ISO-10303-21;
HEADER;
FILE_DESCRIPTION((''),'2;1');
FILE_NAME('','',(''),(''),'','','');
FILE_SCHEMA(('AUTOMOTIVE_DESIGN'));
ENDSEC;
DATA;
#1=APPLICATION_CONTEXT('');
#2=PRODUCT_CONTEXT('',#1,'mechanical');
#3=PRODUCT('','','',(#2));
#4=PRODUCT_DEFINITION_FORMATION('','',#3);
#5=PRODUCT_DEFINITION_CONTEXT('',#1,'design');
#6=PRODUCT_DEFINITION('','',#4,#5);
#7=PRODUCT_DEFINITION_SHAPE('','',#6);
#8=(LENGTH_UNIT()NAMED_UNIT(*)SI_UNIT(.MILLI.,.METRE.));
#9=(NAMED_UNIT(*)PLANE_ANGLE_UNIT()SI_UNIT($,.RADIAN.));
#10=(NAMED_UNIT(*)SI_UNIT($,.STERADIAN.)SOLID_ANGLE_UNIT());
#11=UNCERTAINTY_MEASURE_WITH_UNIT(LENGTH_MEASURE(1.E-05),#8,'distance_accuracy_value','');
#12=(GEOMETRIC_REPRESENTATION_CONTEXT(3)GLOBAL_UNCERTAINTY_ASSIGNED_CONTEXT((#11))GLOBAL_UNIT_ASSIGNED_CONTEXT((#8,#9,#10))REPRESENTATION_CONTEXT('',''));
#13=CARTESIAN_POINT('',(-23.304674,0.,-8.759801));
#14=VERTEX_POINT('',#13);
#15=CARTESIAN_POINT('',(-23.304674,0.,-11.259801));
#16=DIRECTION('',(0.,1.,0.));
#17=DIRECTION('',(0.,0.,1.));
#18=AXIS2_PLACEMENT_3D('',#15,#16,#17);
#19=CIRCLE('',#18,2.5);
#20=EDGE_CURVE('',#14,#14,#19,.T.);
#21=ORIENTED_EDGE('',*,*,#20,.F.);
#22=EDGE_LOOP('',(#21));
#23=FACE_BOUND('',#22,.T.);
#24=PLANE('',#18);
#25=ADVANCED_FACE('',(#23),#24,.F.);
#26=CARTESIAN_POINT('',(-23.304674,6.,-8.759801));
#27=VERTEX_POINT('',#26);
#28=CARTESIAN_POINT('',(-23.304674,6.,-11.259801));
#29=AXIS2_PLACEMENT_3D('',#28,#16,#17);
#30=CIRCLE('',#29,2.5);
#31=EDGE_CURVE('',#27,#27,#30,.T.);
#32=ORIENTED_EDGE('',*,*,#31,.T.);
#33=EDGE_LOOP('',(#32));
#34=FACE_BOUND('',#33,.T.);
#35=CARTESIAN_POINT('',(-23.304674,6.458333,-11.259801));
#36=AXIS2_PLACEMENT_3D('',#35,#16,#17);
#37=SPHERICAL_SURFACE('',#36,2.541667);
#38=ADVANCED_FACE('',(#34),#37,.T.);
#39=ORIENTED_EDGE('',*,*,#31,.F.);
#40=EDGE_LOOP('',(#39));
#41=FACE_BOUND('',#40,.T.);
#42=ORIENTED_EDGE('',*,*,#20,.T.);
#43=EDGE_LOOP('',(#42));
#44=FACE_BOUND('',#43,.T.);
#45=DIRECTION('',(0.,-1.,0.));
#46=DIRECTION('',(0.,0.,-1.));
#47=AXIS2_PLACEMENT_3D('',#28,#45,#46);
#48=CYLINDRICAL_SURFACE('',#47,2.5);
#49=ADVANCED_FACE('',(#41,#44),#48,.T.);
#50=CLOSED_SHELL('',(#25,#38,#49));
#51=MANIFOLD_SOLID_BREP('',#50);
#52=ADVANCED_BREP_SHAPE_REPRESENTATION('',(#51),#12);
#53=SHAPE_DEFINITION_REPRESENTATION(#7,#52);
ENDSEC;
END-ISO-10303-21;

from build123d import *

# Parameters (mm, degrees)
SKETCH1_R           = 2.5
BOSS_EXTRUDE1_DEPTH = 6
DOME2_FACE_RADIUS   = 2.5
DOME2_HEIGHT        = 3


with BuildPart() as part:
    # Sketch1 → Boss-Extrude1 (new body)
    with BuildSketch(Plane(origin=(0, 0, 0), x_dir=(1, 0, 0), z_dir=(0, 1, 0))):
        with Locations((-23.304673918, 11.259801097)):
            Circle(SKETCH1_R)
    extrude(amount=BOSS_EXTRUDE1_DEPTH)

    # Dome2: a dome of height H over a round flat face of radius A is a cap of a sphere of radius (A * A + H * H) / (2 * H)
    dome2_r = (DOME2_FACE_RADIUS * DOME2_FACE_RADIUS + DOME2_HEIGHT * DOME2_HEIGHT) / (2 * DOME2_HEIGHT)
    dome2_base = Plane((-23.304673918, 6, -11.259801097), z_dir=(0, 1, 0))
    with Locations(dome2_base.offset(DOME2_HEIGHT - dome2_r)):
        dome2_ball = Sphere(dome2_r, mode=Mode.PRIVATE)
    add(split(dome2_ball, bisect_by=dome2_base, keep=Keep.TOP, mode=Mode.PRIVATE))


solid = part.part
